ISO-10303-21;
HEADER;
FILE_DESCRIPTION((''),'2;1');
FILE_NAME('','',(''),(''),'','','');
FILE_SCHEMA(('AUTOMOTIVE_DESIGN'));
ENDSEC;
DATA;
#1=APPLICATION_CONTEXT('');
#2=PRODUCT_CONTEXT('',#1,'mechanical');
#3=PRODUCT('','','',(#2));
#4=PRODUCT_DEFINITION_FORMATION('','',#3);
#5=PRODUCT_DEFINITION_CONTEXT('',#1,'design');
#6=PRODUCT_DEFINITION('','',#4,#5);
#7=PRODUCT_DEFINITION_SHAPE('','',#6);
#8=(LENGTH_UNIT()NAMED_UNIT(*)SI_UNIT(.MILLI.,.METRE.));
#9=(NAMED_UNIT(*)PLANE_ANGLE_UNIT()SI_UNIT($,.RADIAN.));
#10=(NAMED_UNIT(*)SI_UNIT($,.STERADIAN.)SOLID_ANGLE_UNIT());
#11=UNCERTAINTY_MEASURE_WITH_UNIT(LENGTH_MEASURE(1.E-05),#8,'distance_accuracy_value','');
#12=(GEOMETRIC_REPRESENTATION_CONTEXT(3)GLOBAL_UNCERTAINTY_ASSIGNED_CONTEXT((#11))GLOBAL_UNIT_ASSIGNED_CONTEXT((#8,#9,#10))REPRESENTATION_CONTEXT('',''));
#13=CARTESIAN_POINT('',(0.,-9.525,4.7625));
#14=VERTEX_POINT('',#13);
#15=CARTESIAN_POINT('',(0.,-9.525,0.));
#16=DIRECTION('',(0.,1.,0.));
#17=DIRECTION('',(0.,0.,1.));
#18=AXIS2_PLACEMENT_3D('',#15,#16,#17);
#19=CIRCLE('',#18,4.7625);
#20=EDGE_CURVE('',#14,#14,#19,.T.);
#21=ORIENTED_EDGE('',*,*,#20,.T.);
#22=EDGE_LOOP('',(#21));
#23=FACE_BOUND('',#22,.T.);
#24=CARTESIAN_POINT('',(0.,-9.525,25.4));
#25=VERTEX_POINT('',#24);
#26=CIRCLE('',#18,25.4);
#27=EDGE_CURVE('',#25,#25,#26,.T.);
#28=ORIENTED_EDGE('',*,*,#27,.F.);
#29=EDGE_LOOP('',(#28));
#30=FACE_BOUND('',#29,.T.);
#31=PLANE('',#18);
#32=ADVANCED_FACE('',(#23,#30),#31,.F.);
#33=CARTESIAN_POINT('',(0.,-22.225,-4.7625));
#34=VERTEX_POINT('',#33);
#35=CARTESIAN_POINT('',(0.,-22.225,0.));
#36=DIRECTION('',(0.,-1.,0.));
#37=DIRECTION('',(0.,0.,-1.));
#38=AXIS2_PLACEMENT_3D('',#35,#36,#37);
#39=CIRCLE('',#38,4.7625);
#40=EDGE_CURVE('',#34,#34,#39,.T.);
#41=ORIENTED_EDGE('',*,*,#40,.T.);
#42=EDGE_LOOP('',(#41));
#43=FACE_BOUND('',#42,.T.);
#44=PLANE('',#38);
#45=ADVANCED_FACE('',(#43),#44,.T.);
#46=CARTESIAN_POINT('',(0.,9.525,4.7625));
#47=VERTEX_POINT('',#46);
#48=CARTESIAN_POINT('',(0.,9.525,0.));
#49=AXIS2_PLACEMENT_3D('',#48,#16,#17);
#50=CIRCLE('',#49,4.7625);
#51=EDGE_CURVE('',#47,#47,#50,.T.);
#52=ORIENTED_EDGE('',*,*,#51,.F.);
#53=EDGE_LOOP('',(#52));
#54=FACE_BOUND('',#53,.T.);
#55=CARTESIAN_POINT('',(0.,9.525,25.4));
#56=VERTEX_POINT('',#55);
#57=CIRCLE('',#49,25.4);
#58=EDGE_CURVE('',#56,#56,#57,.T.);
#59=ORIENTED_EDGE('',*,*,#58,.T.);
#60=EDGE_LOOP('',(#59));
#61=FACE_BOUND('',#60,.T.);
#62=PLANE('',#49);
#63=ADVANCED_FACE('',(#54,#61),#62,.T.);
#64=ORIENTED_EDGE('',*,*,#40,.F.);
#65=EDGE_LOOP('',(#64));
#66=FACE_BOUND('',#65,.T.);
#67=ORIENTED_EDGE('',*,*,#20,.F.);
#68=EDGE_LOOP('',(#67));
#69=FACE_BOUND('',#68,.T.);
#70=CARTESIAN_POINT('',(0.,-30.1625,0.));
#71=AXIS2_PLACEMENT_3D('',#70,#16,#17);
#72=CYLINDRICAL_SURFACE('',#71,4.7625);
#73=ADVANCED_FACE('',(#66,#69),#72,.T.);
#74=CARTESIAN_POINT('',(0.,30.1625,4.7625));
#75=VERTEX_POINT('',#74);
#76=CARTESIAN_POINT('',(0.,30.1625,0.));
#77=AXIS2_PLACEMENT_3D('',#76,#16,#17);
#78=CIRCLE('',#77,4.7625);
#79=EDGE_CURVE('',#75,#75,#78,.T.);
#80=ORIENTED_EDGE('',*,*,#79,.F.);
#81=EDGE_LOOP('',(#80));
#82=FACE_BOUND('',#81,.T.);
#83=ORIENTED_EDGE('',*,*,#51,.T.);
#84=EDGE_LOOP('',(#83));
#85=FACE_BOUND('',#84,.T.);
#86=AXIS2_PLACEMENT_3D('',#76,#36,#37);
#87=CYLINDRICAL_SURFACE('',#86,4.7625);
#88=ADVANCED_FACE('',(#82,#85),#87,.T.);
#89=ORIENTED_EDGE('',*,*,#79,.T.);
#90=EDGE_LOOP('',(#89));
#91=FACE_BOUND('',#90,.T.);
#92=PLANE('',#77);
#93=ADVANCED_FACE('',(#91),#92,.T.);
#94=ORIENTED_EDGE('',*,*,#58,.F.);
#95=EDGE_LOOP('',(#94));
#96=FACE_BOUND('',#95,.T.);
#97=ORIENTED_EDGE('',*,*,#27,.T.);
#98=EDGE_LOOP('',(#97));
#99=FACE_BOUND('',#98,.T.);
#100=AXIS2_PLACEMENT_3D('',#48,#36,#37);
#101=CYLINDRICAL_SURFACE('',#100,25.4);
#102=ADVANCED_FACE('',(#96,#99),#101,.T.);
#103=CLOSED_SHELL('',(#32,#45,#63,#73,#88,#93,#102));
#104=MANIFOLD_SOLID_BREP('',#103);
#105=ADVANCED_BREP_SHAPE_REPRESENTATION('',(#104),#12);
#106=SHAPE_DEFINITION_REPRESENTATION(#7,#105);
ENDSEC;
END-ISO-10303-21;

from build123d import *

# Parameters (mm, degrees)
SKETCH1_R           = 25.4
BOSS_EXTRUDE1_DEPTH = 9.525
SKETCH2_R           = 4.7625
BOSS_EXTRUDE2_DEPTH = 20.6375
SKETCH3_R           = 4.7625
CUT_EXTRUDE1_DEPTH  = 7.9375


with BuildPart() as part:
    # Sketch1 → Boss-Extrude1 (new body, symmetric)
    with BuildSketch(Plane(origin=(0, 0, 0), x_dir=(1, 0, 0), z_dir=(0, 1, 0))):
        Circle(SKETCH1_R)
    extrude(amount=BOSS_EXTRUDE1_DEPTH, both=True)

    # Sketch2 → Boss-Extrude2 (add)
    with BuildSketch(Plane(origin=(0, 9.525, 0), x_dir=(1, 0, 0), z_dir=(0, 1, 0))):
        Circle(SKETCH2_R)
    boss_extrude2 = extrude(amount=BOSS_EXTRUDE2_DEPTH)

    # Mirror1: Boss-Extrude2 across plane
    add(boss_extrude2.mirror(Plane.ZX))

    # Sketch3 → Cut-Extrude1 (cut)
    with BuildSketch(Plane(origin=(0, -30.1625, 0), x_dir=(-1, 0, 0), z_dir=(0, -1, 0))):
        Circle(SKETCH3_R)
    extrude(amount=-CUT_EXTRUDE1_DEPTH, mode=Mode.SUBTRACT)


solid = part.part
